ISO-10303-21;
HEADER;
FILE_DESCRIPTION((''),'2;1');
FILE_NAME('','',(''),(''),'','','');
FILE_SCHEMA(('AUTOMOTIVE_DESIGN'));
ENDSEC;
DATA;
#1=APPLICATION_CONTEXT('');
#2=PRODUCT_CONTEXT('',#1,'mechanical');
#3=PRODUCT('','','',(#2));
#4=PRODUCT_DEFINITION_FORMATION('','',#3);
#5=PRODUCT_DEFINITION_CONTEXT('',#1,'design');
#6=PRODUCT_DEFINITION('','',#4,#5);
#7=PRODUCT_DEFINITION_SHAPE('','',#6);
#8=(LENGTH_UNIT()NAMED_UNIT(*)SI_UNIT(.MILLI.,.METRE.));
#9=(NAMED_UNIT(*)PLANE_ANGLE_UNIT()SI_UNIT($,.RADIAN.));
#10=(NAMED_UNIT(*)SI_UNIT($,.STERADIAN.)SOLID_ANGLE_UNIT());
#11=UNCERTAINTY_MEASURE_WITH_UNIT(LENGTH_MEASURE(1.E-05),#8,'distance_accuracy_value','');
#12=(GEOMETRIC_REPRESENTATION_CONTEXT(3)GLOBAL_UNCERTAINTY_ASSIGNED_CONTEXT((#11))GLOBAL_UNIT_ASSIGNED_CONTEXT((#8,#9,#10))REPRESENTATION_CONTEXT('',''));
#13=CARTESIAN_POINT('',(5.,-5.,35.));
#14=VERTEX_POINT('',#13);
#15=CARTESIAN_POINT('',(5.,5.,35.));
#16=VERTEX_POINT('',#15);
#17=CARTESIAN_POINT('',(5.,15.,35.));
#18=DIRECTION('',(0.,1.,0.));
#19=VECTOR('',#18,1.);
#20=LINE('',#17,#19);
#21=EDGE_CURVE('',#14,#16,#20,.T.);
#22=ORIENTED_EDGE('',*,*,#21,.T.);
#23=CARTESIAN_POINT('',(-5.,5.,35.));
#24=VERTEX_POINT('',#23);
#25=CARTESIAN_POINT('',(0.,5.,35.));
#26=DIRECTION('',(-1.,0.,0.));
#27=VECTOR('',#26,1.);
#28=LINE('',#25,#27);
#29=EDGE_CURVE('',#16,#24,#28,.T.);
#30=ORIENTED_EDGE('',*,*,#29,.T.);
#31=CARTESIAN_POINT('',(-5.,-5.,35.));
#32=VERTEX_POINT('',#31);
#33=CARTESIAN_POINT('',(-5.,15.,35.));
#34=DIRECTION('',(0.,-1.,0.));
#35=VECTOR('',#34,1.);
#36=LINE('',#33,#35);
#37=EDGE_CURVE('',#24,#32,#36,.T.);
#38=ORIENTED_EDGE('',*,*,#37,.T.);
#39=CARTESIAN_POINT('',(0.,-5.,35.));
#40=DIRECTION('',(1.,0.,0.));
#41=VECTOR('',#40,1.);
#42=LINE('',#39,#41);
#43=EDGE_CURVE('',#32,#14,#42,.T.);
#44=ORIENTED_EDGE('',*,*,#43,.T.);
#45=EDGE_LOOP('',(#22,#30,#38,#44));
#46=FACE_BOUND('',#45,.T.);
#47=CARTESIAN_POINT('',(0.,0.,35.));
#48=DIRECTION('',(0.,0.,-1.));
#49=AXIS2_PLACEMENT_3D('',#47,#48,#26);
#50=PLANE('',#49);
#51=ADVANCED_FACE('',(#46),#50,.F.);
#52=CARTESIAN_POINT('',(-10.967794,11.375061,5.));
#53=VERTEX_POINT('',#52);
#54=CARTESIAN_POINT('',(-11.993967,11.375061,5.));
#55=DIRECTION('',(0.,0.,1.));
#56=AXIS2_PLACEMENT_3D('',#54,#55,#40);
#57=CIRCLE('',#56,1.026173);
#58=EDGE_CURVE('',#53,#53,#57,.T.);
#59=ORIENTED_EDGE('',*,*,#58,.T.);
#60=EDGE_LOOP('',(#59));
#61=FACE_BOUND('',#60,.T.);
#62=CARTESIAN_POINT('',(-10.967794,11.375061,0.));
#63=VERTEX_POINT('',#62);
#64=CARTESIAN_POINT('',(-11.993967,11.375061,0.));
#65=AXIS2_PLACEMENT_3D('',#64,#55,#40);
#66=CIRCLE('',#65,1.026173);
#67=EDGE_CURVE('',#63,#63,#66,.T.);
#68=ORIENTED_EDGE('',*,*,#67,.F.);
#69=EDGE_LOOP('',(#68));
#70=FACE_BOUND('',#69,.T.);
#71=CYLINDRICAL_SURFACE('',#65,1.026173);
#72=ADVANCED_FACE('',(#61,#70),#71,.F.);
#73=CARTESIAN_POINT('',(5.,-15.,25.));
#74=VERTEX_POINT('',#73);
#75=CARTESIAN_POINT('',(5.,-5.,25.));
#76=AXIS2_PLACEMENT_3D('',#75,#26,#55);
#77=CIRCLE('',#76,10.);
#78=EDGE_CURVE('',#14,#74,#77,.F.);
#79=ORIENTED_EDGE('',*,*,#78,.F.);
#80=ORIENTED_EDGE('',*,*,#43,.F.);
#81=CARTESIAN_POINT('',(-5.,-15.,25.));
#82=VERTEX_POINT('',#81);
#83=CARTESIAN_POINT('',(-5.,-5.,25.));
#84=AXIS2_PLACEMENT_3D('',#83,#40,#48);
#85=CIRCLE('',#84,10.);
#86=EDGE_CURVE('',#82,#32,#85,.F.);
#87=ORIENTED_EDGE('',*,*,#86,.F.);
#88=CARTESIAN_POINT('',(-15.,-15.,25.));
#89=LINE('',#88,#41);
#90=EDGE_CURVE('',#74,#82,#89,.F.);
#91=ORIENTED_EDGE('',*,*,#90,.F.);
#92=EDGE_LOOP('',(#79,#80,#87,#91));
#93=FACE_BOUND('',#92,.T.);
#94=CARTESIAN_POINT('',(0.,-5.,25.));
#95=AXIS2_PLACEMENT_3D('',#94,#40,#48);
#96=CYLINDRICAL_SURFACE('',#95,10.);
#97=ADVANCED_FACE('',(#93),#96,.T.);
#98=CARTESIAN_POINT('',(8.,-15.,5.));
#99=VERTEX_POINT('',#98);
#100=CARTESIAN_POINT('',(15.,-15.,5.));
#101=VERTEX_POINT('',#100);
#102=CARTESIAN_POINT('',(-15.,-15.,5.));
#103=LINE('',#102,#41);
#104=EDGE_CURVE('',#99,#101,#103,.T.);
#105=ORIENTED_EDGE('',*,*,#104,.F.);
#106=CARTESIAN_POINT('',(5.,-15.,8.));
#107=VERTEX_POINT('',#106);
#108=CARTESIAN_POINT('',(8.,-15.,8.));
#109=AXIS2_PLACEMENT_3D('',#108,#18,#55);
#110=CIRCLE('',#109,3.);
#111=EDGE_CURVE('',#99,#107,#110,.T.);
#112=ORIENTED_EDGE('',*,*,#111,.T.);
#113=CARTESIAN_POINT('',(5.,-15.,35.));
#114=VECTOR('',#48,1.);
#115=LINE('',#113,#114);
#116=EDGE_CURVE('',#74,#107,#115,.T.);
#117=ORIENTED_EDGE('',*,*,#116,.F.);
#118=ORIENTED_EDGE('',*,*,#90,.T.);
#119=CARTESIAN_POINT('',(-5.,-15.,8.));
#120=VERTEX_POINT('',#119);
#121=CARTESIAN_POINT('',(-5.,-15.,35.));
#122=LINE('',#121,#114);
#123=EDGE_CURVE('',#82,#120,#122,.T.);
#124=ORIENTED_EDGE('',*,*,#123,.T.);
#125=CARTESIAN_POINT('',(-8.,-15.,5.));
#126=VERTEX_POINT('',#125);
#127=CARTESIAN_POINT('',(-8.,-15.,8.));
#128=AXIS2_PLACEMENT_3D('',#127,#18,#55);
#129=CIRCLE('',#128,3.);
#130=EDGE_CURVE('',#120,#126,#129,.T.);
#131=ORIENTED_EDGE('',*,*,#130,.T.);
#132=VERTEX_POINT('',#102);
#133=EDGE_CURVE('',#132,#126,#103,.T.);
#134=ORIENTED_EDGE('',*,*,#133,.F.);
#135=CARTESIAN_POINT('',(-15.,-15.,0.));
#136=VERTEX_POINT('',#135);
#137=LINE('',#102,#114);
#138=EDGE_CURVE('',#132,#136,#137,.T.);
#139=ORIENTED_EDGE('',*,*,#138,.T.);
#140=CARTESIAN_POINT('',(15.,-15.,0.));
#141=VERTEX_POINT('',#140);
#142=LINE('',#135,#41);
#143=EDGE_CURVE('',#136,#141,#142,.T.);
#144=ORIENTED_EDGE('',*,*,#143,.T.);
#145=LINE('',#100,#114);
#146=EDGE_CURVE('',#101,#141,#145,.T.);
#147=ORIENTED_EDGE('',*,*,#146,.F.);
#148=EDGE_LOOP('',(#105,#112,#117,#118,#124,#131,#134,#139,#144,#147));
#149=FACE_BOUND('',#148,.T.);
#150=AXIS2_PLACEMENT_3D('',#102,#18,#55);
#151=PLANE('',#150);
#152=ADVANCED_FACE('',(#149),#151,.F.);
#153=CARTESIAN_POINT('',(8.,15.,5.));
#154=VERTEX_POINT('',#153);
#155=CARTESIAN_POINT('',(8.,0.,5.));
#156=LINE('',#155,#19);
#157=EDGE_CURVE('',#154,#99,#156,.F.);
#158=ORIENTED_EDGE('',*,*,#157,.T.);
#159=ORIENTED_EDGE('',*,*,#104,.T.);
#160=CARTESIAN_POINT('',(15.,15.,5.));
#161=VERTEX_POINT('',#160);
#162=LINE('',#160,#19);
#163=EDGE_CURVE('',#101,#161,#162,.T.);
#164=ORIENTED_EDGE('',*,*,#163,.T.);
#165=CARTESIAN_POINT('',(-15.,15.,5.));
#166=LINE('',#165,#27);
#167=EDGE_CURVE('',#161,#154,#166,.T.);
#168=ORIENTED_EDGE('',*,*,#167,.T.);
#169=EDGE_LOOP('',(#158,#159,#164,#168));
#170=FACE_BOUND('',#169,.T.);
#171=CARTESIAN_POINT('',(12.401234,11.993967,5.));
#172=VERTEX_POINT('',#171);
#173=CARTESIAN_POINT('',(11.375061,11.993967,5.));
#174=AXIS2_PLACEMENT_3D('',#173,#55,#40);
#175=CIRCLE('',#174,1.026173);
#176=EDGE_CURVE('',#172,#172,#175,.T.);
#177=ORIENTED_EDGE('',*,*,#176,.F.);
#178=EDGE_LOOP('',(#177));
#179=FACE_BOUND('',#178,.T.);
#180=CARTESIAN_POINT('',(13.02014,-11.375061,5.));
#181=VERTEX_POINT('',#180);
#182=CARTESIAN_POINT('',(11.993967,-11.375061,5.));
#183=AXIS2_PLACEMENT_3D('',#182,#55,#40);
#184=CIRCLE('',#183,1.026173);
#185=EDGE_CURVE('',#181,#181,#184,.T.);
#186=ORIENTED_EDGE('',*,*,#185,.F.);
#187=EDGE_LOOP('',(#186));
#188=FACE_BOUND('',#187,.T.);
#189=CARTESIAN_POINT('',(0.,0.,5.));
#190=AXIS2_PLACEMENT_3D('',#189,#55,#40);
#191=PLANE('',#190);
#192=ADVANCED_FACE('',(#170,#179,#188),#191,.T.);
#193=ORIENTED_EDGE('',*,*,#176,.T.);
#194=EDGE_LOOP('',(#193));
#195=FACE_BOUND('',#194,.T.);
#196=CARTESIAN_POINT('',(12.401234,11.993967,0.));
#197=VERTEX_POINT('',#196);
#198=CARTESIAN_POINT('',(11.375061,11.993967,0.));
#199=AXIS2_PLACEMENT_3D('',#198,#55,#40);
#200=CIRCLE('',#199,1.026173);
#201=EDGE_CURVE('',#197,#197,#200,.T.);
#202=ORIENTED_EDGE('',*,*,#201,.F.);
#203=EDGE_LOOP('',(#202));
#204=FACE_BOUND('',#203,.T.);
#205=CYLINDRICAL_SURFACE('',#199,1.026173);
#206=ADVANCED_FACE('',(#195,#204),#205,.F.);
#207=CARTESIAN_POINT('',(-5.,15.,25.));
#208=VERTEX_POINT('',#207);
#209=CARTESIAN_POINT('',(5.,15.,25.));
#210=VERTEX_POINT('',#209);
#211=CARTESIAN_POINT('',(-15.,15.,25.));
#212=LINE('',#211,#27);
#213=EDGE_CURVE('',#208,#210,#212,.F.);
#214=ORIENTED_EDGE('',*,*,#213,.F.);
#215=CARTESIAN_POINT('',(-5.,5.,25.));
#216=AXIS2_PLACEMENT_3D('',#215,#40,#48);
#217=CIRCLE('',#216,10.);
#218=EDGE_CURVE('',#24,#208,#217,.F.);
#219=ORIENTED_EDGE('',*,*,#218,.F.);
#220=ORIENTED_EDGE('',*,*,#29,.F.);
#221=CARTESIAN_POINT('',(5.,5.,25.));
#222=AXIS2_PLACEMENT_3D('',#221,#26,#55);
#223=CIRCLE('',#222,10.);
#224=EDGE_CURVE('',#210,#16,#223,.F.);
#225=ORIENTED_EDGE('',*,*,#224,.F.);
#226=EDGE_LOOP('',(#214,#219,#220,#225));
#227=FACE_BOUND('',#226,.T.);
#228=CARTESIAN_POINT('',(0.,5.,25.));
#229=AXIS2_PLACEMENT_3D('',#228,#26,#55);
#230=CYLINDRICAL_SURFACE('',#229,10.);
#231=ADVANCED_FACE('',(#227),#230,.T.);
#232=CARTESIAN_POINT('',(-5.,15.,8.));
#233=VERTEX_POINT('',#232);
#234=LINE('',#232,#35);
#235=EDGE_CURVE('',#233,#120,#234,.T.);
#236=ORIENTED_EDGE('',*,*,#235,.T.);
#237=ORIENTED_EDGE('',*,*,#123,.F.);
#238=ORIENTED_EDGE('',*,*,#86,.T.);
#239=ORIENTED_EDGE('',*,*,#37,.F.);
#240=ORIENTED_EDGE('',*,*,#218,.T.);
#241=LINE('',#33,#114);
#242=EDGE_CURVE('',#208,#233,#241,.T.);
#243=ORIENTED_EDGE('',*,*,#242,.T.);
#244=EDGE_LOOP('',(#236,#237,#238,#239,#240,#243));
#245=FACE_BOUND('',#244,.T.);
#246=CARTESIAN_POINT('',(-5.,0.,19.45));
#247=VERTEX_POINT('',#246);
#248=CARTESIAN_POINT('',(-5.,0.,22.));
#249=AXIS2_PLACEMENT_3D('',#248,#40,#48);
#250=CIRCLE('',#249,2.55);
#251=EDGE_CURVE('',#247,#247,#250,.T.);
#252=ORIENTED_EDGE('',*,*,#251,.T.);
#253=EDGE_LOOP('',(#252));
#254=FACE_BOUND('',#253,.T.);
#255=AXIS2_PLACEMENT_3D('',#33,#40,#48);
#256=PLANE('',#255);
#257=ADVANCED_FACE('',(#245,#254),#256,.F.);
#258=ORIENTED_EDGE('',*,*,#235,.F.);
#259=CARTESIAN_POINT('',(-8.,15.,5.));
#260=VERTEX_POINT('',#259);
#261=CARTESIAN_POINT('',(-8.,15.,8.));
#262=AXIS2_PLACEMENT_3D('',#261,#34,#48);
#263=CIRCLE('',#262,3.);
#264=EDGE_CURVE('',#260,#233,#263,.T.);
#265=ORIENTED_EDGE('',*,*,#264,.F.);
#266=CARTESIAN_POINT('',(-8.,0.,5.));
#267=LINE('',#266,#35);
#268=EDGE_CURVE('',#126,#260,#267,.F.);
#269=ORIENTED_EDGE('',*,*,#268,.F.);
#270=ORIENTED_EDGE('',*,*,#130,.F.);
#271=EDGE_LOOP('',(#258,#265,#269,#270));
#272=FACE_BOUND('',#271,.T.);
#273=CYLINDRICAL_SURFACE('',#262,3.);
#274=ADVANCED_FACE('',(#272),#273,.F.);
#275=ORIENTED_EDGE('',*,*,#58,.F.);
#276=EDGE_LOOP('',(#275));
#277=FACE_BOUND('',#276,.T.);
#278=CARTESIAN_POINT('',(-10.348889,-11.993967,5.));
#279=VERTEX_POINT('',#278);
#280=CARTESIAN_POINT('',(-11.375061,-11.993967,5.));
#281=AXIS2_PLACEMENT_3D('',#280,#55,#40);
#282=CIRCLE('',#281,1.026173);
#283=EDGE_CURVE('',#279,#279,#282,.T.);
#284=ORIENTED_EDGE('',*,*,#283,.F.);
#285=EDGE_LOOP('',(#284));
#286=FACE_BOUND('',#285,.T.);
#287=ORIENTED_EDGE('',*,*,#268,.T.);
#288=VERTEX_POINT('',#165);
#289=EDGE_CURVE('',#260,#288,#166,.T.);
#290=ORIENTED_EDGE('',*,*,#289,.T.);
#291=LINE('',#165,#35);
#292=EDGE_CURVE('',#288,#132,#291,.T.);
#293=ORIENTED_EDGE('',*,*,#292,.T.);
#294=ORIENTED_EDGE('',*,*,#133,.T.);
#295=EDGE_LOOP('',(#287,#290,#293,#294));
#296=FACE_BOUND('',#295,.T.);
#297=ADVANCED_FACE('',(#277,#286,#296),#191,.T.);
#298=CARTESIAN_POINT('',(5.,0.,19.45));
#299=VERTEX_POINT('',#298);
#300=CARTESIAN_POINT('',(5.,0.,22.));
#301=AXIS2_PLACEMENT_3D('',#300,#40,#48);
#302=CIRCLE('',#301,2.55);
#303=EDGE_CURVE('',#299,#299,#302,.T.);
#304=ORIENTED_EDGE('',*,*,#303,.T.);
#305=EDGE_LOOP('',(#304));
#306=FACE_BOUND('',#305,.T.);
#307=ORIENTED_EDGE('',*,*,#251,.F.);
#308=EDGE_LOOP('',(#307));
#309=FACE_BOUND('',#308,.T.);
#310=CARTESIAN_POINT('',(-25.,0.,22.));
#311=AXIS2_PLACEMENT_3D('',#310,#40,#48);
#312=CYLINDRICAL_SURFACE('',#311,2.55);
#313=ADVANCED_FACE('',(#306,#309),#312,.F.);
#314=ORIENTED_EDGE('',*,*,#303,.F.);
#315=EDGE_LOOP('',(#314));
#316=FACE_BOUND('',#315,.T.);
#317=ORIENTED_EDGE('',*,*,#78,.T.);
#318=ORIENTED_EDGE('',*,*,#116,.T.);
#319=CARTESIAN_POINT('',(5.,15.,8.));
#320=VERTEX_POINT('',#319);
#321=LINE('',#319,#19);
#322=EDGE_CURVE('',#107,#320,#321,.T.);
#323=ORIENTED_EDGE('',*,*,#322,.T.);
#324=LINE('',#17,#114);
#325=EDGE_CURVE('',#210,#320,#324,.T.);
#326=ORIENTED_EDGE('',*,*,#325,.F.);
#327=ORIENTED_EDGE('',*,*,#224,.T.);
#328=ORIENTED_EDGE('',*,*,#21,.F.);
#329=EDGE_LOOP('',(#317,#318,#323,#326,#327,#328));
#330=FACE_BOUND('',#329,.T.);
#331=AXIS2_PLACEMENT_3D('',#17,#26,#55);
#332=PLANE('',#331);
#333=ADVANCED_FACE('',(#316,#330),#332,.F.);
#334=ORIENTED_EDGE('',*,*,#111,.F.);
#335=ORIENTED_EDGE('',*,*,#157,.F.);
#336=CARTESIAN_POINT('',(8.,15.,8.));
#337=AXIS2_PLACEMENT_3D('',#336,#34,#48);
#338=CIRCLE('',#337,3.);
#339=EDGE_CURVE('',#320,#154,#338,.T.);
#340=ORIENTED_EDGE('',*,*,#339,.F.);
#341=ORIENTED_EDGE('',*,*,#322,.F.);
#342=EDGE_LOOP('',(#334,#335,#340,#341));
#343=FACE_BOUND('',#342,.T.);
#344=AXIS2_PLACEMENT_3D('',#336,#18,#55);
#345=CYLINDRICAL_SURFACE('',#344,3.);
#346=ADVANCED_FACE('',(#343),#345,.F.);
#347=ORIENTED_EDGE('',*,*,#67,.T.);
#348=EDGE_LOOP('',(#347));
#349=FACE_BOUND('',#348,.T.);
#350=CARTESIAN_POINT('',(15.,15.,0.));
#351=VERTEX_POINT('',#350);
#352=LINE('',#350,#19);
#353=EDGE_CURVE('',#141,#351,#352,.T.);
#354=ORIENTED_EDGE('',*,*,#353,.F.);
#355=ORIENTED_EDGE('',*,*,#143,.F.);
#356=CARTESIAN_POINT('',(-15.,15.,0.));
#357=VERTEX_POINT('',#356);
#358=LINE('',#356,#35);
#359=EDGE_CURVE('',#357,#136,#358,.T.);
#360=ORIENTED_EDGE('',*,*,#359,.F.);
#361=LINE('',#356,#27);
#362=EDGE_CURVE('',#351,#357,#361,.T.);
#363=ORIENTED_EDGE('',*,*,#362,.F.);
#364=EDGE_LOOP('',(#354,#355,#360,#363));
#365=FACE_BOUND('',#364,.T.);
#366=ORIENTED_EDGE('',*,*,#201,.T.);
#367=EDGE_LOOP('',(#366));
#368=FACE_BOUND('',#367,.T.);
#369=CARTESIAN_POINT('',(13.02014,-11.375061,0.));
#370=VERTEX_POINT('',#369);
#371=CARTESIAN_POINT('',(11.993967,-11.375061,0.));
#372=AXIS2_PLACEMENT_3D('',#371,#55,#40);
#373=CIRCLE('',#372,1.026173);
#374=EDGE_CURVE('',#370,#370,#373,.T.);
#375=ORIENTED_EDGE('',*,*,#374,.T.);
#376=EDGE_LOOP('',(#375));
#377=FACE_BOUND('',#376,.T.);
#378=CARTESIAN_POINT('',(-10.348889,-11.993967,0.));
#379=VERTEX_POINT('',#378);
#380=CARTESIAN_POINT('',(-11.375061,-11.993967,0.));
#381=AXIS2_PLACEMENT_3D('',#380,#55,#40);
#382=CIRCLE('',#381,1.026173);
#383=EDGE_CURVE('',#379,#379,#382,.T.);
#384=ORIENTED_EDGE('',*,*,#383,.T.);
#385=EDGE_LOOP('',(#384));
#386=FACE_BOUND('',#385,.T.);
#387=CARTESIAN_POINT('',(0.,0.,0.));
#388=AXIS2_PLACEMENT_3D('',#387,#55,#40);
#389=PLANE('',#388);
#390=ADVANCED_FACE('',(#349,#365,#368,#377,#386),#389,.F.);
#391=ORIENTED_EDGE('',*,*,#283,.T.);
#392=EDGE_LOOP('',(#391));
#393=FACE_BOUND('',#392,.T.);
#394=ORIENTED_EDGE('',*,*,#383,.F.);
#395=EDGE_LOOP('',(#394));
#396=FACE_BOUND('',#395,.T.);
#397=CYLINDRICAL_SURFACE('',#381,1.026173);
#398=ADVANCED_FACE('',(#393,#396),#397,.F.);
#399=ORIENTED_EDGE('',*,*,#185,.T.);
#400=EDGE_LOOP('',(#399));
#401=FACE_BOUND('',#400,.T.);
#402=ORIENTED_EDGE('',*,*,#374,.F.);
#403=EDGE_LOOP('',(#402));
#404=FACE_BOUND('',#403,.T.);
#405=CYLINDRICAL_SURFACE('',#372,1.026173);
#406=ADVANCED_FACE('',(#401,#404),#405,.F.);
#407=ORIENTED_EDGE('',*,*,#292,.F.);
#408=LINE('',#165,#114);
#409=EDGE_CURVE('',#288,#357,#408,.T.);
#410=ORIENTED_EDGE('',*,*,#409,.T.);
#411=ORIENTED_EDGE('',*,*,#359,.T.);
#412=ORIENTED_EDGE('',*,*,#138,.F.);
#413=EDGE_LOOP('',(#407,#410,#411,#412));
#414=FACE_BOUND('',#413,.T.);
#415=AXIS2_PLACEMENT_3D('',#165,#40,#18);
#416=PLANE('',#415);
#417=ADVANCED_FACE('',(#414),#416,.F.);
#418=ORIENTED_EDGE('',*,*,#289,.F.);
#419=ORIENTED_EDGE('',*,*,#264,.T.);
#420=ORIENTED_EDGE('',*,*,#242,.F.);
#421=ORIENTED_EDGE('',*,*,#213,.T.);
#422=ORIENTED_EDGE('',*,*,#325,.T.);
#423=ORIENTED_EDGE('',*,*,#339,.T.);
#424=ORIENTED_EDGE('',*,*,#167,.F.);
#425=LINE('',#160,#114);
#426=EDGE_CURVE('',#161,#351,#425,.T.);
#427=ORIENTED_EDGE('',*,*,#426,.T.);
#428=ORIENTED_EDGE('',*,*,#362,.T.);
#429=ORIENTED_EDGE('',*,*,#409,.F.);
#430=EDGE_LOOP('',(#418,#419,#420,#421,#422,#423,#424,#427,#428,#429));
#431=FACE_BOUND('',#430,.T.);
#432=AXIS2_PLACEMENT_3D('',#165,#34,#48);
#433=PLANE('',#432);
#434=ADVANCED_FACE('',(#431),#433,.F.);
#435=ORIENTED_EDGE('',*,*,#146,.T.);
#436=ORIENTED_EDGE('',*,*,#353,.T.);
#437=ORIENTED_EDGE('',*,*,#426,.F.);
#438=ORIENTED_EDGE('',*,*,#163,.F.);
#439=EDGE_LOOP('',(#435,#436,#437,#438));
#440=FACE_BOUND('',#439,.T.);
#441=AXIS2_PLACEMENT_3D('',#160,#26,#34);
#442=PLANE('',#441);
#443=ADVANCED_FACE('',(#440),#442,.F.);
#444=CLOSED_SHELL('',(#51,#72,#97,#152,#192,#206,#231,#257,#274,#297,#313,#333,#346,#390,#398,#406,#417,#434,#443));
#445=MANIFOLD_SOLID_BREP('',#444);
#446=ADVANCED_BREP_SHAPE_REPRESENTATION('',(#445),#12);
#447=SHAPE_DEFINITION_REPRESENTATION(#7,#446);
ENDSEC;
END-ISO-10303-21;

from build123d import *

# Parameters (mm, degrees)
SKETCH1_W           = 30
SKETCH1_H           = 30
BOSS_EXTRUDE2_DEPTH = 5
SKETCH3_R           = 1.02617269
CUT_EXTRUDE1_DEPTH  = 5
SKETCH4_W           = 10
SKETCH4_H           = 30
BOSS_EXTRUDE3_DEPTH = 30
SKETCH5_R           = 2.55
CUT_EXTRUDE2_DEPTH  = 30
FILLET1_R           = 10
FILLET2_R           = 10
FILLET4_R           = 3
FILLET5_R           = 3


with BuildPart() as part:
    # Sketch1 → Boss-Extrude2 (new body)
    with BuildSketch(Plane.XY):
        Rectangle(SKETCH1_W, SKETCH1_H)
    extrude(amount=BOSS_EXTRUDE2_DEPTH)

    # Sketch3 → Cut-Extrude1 (cut)
    with BuildSketch(Plane.XY.offset(5)):
        with Locations((-11.9939671, 11.375061325)):
            Circle(SKETCH3_R)
        with Locations((11.375061325, 11.9939671)):
            Circle(SKETCH3_R)
        with Locations((11.9939671, -11.375061325)):
            Circle(SKETCH3_R)
        with Locations((-11.375061325, -11.9939671)):
            Circle(SKETCH3_R)
    extrude(amount=-CUT_EXTRUDE1_DEPTH, mode=Mode.SUBTRACT)

    # Sketch4 → Boss-Extrude3 (add)
    with BuildSketch(Plane.XY.offset(5)):
        Rectangle(SKETCH4_W, SKETCH4_H)
    extrude(amount=BOSS_EXTRUDE3_DEPTH)

    # Sketch5 → Cut-Extrude2 (cut)
    with BuildSketch(Plane(origin=(5, 0, 0), x_dir=(0, 0, -1), z_dir=(1, 0, 0))):
        with Locations((-22, 0)):
            Circle(SKETCH5_R)
    extrude(amount=-CUT_EXTRUDE2_DEPTH, mode=Mode.SUBTRACT)

    # Fillet1
    fillet1_edges = [part.edges().sort_by_distance(p)[0] for p in [
        (0, -15, 35),
    ]]
    fillet(fillet1_edges, radius=FILLET1_R)

    # Fillet2
    fillet2_edges = [part.edges().sort_by_distance(p)[0] for p in [
        (0, 15, 35),
    ]]
    fillet(fillet2_edges, radius=FILLET2_R)

    # Fillet4
    fillet4_edges = [part.edges().sort_by_distance(p)[0] for p in [
        (5, 0, 5),
    ]]
    fillet(fillet4_edges, radius=FILLET4_R)

    # Fillet5
    fillet5_edges = [part.edges().sort_by_distance(p)[0] for p in [
        (-5, 0, 5),
    ]]
    fillet(fillet5_edges, radius=FILLET5_R)


solid = part.part
